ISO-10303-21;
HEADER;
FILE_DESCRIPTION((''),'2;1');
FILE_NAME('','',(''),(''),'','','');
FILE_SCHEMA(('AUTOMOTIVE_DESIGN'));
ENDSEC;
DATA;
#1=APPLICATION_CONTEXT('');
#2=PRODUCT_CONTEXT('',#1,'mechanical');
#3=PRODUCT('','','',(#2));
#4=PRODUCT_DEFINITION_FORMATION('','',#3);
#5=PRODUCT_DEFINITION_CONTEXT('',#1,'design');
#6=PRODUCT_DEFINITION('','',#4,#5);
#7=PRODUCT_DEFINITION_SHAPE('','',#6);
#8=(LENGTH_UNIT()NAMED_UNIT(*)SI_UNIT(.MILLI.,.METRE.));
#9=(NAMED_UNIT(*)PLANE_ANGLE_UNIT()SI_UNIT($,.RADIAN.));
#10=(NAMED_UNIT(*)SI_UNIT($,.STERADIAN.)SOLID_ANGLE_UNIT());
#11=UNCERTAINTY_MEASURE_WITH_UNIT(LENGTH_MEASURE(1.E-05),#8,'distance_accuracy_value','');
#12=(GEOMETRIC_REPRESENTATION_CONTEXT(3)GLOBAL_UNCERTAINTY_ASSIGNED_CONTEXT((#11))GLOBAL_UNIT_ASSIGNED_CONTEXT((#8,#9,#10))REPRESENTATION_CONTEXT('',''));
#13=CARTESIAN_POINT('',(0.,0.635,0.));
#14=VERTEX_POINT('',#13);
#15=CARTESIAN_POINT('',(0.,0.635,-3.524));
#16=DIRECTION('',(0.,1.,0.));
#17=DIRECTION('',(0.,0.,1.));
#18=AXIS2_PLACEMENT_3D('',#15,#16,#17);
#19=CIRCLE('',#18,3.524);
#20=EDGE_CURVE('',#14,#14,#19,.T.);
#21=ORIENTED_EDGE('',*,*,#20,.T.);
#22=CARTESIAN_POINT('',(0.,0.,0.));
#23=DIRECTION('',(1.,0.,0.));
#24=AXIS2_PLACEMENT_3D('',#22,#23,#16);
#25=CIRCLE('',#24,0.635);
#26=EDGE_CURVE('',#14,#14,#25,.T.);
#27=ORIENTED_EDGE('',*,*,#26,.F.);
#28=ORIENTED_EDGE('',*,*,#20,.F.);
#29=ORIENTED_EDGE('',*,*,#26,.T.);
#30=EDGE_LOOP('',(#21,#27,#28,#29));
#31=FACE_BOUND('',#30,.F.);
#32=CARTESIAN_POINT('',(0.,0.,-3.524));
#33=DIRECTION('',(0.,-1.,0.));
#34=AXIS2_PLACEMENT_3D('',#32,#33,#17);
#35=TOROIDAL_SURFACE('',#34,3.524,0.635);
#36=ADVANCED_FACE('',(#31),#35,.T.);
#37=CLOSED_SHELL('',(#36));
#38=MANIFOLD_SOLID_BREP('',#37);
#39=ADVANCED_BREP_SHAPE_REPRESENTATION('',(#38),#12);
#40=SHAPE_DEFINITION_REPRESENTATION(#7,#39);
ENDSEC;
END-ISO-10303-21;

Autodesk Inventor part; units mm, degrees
ref_plane "YZ Plane" through (0, 0, 0) normal (1, 0, 0) x (0, 1, 0)
ref_plane "XZ Plane" through (0, 0, 0) normal (0, 1, 0) x (-1, 0, 0)
ref_plane "XY Plane" through (0, 0, 0) normal (0, 0, 1) x (1, 0, 0)
sketch "Sketch3" plane through (0, 0, 0) normal (1, 0, 0) x (0, 1, 0)
  circle A0 centre (0, 0) radius 0.635
  line L0 (0, -3.524) -> (5.0277, -3.524)
  dimension "d2" = 1.27
  dimension "d3" = 3.524
revolve "Revolution1" add sketch "Sketch3" angle 360 about axis through (0, 0, -3.524) along (0, 1, 0)
properties part number "CoilSpring"
